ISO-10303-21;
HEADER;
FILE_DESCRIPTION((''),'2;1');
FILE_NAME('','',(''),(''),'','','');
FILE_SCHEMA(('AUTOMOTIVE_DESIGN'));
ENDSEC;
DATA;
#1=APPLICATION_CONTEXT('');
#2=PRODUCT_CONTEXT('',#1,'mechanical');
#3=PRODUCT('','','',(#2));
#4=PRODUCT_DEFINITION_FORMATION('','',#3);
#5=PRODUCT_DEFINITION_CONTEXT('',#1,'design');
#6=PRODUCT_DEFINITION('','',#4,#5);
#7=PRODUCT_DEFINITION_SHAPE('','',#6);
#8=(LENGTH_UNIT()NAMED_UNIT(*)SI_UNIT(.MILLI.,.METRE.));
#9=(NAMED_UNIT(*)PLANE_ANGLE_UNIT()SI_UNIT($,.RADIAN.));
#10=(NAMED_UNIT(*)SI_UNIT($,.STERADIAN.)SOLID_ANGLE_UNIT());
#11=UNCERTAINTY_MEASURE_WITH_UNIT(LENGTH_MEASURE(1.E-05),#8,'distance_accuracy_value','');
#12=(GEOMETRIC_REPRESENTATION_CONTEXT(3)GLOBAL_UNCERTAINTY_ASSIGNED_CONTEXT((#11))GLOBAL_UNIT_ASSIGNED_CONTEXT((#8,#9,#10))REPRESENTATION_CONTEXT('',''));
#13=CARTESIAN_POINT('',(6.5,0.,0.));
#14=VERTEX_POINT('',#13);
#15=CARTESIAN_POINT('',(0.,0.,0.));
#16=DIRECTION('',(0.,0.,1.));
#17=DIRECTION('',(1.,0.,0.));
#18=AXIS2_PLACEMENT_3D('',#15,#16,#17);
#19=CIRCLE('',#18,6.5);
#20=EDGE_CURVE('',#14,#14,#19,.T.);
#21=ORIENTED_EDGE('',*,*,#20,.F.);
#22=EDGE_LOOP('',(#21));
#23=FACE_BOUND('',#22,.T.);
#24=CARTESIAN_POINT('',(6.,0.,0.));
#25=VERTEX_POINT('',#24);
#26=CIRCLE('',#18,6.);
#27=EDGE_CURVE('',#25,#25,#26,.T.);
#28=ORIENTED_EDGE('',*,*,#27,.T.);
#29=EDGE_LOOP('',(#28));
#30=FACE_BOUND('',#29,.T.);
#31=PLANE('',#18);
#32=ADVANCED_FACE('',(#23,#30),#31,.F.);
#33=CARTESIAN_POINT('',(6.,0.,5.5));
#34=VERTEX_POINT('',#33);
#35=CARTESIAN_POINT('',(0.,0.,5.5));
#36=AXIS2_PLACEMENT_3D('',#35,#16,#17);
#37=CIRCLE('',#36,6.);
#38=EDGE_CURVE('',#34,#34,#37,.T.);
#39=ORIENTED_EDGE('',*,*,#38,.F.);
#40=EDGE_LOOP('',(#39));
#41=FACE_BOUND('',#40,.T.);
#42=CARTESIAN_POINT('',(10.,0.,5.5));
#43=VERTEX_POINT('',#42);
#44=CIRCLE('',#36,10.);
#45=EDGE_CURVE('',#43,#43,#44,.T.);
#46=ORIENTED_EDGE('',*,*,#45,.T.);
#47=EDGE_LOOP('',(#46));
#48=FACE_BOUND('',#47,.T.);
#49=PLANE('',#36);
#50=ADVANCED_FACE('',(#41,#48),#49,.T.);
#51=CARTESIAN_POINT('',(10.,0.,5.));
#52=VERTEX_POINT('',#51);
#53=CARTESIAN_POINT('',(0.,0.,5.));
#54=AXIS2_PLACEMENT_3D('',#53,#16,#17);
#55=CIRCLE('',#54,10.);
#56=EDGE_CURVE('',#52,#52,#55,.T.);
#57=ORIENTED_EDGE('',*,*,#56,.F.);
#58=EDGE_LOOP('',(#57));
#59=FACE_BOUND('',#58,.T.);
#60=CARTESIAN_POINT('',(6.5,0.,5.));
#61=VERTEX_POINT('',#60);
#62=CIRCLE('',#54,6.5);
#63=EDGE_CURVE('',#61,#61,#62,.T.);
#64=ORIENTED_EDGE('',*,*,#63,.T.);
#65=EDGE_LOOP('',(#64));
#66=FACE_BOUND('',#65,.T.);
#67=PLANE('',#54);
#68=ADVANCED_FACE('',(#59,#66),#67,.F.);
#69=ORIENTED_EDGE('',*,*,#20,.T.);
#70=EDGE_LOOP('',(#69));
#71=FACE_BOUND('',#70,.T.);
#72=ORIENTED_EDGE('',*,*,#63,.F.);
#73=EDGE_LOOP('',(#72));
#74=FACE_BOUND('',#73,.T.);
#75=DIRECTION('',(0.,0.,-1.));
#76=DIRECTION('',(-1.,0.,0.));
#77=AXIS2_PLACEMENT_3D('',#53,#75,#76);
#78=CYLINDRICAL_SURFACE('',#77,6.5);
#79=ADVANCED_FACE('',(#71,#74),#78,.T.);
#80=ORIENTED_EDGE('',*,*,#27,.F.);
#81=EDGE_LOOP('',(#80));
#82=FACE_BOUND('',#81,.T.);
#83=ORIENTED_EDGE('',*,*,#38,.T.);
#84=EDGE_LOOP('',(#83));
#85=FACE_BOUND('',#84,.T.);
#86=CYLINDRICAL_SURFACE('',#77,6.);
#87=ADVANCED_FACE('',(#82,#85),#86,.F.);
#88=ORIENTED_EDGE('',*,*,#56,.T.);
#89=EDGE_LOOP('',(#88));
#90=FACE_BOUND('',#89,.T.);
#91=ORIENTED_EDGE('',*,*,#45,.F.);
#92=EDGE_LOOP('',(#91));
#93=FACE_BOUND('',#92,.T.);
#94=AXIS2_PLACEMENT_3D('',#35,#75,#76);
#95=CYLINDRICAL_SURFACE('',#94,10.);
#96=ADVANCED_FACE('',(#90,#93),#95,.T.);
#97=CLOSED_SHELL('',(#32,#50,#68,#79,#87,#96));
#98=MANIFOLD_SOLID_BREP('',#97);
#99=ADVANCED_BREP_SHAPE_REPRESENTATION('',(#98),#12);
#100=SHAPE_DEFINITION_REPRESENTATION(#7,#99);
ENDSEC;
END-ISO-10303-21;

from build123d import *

# Parameters (mm, degrees)
ESQUISSE1_R          = 6.5
ESQUISSE1_R_2        = 6
BASE_EXTRUSION_DEPTH = 5
ESQUISSE2_R          = 10
ESQUISSE2_R_2        = 6
BOSS_EXTRU_1_DEPTH   = 0.5


with BuildPart() as part:
    # Esquisse1 → Base-Extrusion (new body)
    with BuildSketch(Plane.XY):
        Circle(ESQUISSE1_R)
        Circle(ESQUISSE1_R_2, mode=Mode.SUBTRACT)
    extrude(amount=BASE_EXTRUSION_DEPTH)

    # Esquisse2 → Boss.-Extru.1 (add)
    with BuildSketch(Plane.XY.offset(5)):
        Circle(ESQUISSE2_R)
        Circle(ESQUISSE2_R_2, mode=Mode.SUBTRACT)
    extrude(amount=BOSS_EXTRU_1_DEPTH)


solid = part.part
